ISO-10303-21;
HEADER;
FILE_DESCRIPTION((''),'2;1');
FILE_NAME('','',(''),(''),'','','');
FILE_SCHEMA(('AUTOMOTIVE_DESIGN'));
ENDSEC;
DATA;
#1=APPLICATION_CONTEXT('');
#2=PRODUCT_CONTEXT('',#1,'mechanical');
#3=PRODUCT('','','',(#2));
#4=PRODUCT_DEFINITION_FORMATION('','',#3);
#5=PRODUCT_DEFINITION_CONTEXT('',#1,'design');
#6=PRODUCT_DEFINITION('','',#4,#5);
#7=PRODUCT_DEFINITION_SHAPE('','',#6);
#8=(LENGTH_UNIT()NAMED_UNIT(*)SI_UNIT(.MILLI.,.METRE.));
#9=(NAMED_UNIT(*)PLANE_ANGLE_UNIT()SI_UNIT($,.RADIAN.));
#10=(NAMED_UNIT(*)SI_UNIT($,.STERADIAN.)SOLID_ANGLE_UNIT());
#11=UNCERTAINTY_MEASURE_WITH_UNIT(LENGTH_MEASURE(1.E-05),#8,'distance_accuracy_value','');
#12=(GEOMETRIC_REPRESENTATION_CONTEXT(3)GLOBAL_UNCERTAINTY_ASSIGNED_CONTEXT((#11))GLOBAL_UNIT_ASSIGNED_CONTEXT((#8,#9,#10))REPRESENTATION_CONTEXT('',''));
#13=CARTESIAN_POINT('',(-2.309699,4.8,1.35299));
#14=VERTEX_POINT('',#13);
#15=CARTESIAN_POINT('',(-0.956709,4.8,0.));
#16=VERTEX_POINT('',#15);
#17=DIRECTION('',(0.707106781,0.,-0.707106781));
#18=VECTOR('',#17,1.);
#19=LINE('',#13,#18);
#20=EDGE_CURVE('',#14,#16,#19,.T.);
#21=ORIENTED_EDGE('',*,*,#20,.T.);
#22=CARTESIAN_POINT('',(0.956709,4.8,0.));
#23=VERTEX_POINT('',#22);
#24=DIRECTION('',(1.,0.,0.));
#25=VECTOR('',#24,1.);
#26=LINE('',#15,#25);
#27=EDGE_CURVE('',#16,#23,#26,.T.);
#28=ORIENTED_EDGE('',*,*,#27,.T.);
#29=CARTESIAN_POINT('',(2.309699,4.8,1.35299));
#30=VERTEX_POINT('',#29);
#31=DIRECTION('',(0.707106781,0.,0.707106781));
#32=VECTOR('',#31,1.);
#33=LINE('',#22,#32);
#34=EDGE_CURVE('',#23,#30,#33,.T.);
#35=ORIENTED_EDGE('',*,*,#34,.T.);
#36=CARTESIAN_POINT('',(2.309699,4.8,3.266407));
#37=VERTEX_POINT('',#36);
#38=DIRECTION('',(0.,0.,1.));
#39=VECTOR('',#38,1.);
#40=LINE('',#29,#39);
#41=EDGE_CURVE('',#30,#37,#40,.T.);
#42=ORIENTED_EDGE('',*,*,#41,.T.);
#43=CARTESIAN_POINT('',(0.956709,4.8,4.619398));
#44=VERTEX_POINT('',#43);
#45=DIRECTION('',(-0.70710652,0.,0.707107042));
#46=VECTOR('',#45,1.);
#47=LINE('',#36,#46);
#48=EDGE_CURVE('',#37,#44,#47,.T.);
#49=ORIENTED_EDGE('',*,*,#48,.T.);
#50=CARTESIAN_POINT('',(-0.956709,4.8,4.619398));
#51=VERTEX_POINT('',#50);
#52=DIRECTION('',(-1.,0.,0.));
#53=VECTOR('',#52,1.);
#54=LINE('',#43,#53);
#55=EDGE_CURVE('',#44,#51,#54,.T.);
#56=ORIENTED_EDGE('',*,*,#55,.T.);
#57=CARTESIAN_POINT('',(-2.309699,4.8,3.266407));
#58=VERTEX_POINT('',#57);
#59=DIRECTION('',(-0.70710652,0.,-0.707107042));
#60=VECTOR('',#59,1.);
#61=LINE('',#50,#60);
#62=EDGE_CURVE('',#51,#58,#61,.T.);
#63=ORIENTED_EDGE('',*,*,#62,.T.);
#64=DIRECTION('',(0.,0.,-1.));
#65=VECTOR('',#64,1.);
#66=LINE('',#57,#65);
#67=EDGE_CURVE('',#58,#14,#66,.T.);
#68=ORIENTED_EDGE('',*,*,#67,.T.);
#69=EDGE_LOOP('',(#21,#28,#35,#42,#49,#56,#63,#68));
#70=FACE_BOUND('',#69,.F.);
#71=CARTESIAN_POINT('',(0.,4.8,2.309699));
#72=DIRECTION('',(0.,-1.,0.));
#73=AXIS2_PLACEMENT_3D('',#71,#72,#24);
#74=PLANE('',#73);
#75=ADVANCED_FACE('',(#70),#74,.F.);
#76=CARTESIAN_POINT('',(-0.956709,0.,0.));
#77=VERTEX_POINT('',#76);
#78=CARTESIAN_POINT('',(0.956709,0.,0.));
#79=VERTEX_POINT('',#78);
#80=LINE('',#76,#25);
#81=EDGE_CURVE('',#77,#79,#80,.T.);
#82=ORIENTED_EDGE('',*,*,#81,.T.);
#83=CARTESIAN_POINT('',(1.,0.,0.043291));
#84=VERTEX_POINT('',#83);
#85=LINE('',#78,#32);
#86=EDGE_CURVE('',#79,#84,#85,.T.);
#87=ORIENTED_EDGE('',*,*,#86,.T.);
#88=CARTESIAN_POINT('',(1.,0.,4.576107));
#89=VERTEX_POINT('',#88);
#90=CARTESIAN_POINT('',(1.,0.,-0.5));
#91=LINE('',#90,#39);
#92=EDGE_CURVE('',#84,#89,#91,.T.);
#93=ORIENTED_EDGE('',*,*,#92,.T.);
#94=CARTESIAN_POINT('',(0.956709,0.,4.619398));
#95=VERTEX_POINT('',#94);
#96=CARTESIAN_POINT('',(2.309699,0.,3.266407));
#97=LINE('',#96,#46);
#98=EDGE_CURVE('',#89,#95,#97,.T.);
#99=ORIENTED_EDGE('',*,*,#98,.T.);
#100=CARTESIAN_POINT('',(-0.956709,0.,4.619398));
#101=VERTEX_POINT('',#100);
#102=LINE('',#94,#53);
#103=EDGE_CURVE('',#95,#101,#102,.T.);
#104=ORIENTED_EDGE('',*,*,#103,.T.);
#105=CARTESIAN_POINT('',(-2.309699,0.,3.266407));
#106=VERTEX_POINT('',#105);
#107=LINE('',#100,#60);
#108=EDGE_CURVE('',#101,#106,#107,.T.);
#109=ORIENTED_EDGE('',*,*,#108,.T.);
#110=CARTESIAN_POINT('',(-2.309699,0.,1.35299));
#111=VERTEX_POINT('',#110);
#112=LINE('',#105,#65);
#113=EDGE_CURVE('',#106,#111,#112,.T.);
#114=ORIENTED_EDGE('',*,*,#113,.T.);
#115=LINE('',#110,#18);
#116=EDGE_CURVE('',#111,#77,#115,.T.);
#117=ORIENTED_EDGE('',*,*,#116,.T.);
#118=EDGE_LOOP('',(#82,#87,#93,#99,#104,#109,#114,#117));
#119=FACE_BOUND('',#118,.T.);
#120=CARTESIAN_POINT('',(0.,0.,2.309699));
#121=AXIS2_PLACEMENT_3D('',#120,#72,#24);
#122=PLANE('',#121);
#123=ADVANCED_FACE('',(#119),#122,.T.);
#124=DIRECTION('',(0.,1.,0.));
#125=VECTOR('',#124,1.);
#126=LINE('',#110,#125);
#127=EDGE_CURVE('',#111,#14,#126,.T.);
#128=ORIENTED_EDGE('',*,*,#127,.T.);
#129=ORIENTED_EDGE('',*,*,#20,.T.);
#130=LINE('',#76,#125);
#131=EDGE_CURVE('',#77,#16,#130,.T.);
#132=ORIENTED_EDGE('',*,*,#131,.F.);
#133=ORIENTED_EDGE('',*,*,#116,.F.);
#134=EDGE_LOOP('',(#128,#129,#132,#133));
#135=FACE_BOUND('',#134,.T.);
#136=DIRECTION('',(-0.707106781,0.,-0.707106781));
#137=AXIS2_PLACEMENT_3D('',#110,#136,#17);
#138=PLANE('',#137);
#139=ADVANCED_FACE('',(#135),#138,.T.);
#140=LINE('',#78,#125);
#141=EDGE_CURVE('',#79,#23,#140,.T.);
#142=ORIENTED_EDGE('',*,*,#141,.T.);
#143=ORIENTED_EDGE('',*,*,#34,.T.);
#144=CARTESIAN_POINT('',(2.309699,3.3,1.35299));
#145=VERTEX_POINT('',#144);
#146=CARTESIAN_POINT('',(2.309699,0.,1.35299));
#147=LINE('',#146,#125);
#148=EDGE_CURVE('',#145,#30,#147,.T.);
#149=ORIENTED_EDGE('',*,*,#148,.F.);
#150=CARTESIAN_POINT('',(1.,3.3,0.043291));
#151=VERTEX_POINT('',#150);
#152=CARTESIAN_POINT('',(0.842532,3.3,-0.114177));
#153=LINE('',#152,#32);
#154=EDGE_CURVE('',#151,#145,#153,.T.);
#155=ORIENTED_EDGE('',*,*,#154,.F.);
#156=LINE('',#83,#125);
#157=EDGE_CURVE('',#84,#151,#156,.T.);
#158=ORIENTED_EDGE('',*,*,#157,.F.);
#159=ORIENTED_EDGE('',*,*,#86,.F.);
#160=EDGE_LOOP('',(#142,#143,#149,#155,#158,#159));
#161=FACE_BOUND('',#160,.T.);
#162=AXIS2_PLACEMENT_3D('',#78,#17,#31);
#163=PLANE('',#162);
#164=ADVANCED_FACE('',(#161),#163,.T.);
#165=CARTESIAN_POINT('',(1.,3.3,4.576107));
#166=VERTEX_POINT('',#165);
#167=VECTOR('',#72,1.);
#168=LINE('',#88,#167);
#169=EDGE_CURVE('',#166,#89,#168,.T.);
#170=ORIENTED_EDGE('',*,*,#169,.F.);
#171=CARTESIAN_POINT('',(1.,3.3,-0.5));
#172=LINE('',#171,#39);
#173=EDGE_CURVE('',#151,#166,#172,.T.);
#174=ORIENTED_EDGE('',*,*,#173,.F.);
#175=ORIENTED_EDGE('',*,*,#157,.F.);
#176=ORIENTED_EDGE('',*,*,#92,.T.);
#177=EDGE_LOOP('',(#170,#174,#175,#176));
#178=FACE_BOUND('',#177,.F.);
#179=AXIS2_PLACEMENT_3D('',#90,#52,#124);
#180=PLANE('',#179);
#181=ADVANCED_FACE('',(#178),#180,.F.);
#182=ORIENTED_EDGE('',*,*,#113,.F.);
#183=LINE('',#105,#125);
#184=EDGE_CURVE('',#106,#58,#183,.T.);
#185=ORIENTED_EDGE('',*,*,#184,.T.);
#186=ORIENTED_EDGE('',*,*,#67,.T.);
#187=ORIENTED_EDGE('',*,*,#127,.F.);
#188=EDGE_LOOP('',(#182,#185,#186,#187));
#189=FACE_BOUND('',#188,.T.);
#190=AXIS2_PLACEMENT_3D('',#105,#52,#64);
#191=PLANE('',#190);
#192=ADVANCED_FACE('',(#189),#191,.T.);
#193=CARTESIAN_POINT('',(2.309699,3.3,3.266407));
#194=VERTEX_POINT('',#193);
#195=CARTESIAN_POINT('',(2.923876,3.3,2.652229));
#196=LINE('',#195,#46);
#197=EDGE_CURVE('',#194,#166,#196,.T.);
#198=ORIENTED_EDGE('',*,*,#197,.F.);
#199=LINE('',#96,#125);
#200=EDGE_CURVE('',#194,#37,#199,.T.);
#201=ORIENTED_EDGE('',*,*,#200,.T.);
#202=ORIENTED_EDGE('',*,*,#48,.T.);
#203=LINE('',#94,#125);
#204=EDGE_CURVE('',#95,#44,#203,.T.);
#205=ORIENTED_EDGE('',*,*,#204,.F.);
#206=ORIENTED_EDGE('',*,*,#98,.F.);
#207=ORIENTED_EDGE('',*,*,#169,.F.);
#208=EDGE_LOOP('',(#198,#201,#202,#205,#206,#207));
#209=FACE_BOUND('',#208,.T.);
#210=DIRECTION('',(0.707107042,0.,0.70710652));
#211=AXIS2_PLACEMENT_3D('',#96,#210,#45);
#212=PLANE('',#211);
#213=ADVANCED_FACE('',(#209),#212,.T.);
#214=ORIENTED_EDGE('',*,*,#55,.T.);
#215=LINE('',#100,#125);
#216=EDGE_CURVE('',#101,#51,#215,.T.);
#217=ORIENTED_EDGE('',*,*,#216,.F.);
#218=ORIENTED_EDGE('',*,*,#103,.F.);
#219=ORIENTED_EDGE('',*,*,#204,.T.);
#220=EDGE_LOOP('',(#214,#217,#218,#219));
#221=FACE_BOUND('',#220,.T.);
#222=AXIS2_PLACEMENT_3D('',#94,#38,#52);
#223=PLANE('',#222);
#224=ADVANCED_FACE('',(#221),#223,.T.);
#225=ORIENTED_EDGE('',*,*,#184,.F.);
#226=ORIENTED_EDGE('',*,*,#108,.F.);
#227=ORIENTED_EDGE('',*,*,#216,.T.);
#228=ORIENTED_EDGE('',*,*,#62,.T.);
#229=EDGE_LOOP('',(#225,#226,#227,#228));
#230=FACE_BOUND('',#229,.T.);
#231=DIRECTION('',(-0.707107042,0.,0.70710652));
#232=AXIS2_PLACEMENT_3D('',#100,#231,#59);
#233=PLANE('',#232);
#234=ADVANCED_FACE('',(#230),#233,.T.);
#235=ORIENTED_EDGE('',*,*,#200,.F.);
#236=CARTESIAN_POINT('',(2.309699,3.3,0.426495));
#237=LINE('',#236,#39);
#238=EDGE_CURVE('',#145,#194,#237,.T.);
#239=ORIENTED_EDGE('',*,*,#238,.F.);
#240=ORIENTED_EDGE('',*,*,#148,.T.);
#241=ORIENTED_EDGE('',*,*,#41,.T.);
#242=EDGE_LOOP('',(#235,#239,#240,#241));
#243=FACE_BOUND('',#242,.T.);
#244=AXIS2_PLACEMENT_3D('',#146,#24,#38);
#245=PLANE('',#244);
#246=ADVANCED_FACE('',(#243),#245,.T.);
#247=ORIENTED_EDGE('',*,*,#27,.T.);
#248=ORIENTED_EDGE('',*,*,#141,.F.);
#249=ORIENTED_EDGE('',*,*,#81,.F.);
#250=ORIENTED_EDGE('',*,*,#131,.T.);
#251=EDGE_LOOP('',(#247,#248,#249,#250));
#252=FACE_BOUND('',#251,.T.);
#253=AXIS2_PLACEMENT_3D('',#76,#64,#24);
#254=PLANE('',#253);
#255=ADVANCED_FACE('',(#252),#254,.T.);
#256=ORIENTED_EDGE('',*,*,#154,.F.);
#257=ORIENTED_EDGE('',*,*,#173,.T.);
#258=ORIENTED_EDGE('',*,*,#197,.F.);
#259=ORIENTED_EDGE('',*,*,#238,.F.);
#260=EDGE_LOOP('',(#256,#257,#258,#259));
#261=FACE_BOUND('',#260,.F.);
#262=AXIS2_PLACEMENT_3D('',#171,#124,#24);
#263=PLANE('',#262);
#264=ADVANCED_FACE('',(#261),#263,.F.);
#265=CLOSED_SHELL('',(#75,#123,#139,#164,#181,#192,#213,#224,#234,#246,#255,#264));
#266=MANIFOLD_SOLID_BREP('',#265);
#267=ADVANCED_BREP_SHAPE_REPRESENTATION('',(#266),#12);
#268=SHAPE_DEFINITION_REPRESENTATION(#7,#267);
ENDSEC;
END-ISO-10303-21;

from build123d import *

# Parameters (mm, degrees)
BOX008_W         = 2
BOX008_H         = 3.3
BOX008_DEPTH     = 6
EXTRUDE004_DEPTH = 4.8


with BuildPart() as box008:
    # Box008 → Box008 (new body)
    with BuildSketch(Plane(origin=(1, 0, -0.5), x_dir=(1, 0, 0), z_dir=(0, 0, 1))):
        with Locations((1, 1.65)):
            Rectangle(BOX008_W, BOX008_H)
    extrude(amount=BOX008_DEPTH)


with BuildPart() as octpin_wnotch:
    # Sketch002 → Extrude004 (new body)
    with BuildSketch(Plane.XZ):
        Polygon((2.309699, 1.35299), (2.309699, 3.266407), (0.956709, 4.619398), (-0.956709, 4.619398), (-2.309699, 3.266407), (-2.309699, 1.35299), (-0.956709, 0), (0.956709, 0), align=None)
    extrude(amount=-EXTRUDE004_DEPTH)

    # Cut: cut Box008
    add(box008.part, mode=Mode.SUBTRACT)


solid = octpin_wnotch.part
